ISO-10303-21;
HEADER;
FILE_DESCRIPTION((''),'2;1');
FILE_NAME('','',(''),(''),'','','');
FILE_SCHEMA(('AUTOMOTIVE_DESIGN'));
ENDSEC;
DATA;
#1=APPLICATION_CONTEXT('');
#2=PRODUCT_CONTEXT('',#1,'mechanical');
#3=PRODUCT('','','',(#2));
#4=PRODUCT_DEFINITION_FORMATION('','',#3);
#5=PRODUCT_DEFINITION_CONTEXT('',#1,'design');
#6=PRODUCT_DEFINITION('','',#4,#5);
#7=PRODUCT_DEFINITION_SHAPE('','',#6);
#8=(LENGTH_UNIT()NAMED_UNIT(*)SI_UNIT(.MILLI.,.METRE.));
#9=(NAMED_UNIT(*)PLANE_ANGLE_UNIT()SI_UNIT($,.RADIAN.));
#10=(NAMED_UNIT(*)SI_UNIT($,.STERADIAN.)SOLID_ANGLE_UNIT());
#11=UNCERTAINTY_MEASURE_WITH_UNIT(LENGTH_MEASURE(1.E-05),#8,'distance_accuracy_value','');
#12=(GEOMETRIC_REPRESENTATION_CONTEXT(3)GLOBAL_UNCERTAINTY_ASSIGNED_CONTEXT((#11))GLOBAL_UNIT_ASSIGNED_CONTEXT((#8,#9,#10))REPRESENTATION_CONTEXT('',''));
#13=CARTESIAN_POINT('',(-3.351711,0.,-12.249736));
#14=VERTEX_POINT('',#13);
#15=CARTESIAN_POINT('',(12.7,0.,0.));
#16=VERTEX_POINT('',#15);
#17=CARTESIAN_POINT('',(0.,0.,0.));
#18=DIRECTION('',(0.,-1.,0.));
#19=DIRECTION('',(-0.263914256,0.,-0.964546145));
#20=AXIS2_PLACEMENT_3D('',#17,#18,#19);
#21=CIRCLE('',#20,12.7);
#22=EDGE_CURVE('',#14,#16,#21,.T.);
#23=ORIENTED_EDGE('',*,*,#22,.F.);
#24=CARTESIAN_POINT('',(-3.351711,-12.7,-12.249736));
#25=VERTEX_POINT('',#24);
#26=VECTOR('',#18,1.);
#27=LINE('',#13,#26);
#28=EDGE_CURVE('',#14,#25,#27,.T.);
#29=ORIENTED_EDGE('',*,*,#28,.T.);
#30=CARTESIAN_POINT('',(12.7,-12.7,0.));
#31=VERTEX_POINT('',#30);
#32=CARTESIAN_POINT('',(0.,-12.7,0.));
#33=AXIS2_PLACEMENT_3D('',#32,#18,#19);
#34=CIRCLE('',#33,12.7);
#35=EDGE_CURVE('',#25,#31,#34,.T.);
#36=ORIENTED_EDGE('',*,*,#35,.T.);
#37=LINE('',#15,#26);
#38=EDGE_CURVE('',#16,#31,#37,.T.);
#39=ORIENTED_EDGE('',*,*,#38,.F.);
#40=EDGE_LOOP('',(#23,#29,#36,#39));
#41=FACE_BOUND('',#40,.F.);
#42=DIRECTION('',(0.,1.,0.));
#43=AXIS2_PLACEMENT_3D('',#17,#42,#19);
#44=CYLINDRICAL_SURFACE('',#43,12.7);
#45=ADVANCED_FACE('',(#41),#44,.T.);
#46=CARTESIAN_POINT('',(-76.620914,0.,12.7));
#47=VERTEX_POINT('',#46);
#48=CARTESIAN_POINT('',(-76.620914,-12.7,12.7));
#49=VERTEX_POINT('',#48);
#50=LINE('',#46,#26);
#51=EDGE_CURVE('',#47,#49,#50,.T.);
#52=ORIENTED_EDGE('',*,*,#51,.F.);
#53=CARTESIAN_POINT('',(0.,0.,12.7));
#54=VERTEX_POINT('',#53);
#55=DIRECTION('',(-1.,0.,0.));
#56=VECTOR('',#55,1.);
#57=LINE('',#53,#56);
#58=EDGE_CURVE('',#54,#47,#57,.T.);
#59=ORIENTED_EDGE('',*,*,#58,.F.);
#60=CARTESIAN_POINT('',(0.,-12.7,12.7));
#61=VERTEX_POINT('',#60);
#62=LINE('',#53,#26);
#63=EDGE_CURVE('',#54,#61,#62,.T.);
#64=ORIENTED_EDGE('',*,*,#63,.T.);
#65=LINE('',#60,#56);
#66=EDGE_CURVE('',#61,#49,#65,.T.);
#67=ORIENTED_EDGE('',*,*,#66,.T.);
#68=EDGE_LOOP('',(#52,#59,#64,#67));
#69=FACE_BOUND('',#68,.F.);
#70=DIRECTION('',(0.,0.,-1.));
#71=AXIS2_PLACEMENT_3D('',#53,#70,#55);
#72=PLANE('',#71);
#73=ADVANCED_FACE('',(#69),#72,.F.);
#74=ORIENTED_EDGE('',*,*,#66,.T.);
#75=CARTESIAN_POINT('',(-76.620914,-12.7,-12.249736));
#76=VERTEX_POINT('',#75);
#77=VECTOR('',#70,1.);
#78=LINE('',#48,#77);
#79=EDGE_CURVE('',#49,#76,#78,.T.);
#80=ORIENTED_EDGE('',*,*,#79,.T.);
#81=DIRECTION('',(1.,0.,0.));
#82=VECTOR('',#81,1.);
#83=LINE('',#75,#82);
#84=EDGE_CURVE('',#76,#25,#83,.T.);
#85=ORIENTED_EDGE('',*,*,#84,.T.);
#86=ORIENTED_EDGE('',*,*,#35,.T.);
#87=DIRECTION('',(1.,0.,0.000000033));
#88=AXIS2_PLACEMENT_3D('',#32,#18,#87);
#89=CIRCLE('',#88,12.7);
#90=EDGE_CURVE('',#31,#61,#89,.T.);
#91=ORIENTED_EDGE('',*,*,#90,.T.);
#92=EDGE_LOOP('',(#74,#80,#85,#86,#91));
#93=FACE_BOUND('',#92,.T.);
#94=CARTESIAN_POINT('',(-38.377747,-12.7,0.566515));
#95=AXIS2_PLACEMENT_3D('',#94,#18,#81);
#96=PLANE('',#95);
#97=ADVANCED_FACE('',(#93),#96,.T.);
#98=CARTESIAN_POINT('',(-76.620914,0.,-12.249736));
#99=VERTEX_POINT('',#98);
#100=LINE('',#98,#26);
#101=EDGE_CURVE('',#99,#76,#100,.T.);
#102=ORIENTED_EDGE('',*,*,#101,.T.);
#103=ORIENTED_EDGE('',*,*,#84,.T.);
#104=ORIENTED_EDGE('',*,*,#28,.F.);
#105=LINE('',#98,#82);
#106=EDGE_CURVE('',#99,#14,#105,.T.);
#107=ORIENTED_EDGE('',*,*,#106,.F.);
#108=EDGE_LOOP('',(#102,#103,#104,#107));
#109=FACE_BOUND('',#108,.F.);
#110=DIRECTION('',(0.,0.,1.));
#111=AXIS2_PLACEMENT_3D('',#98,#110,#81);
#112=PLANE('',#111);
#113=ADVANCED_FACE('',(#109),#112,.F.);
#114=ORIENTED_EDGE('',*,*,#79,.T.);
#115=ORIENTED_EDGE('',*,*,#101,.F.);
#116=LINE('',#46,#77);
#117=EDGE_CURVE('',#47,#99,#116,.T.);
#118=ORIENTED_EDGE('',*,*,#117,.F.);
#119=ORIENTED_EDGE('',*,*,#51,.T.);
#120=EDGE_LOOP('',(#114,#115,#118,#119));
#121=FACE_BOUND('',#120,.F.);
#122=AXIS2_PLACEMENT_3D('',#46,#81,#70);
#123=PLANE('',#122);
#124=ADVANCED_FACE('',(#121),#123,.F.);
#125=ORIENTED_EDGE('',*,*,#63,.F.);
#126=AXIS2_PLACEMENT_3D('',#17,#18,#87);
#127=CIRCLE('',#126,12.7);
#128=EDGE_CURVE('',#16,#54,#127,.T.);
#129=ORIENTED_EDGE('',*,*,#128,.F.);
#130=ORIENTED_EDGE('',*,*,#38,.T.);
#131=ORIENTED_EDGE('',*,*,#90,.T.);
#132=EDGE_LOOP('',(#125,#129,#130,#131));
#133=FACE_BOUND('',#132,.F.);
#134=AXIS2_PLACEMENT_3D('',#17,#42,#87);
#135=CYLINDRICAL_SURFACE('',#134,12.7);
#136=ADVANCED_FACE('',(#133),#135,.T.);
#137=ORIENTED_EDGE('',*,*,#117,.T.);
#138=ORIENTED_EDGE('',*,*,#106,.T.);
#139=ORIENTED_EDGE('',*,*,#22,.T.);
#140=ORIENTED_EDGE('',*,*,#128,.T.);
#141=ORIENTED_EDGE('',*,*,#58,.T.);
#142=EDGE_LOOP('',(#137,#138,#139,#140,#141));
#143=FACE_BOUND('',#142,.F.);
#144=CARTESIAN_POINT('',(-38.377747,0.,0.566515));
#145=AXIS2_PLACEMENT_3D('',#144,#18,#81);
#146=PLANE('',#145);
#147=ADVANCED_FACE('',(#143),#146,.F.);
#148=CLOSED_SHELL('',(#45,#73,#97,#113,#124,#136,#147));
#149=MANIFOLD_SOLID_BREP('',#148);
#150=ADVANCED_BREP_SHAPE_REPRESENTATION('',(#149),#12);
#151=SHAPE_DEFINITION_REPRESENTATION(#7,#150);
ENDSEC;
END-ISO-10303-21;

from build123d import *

# Parameters (mm, degrees)
F1_DEPTH = 12.7


with BuildPart() as f1:
    # F0 (on Front) → F1 (new body)
    with BuildSketch(Plane.XZ):
        with BuildLine():
            ThreePointArc((-3.351711, -12.249736), (-12.586931, 1.69091), (0, 12.7))
            Line((0, 12.7), (-76.620914, 12.7))
            Line((-76.620914, 12.7), (-76.620914, -12.249736))
            Line((-76.620914, -12.249736), (-3.351711, -12.249736))
        make_face()
        with BuildLine():
            Line((0, -12.249736), (0, 12.7))
            ThreePointArc((0, 12.7), (-12.586931, 1.69091), (-3.351711, -12.249736))
            Line((-3.351711, -12.249736), (0, -12.249736))
        make_face()
        with BuildLine():
            ThreePointArc((-3.351711, -12.249736), (7.70465, -10.095958), (12.7, 0))
            ThreePointArc((12.7, 0), (8.980256, 8.980256), (0, 12.7))
            Line((0, 12.7), (0, -12.249736))
            Line((0, -12.249736), (-3.351711, -12.249736))
        make_face()
    extrude(amount=F1_DEPTH)


solid = f1.part
